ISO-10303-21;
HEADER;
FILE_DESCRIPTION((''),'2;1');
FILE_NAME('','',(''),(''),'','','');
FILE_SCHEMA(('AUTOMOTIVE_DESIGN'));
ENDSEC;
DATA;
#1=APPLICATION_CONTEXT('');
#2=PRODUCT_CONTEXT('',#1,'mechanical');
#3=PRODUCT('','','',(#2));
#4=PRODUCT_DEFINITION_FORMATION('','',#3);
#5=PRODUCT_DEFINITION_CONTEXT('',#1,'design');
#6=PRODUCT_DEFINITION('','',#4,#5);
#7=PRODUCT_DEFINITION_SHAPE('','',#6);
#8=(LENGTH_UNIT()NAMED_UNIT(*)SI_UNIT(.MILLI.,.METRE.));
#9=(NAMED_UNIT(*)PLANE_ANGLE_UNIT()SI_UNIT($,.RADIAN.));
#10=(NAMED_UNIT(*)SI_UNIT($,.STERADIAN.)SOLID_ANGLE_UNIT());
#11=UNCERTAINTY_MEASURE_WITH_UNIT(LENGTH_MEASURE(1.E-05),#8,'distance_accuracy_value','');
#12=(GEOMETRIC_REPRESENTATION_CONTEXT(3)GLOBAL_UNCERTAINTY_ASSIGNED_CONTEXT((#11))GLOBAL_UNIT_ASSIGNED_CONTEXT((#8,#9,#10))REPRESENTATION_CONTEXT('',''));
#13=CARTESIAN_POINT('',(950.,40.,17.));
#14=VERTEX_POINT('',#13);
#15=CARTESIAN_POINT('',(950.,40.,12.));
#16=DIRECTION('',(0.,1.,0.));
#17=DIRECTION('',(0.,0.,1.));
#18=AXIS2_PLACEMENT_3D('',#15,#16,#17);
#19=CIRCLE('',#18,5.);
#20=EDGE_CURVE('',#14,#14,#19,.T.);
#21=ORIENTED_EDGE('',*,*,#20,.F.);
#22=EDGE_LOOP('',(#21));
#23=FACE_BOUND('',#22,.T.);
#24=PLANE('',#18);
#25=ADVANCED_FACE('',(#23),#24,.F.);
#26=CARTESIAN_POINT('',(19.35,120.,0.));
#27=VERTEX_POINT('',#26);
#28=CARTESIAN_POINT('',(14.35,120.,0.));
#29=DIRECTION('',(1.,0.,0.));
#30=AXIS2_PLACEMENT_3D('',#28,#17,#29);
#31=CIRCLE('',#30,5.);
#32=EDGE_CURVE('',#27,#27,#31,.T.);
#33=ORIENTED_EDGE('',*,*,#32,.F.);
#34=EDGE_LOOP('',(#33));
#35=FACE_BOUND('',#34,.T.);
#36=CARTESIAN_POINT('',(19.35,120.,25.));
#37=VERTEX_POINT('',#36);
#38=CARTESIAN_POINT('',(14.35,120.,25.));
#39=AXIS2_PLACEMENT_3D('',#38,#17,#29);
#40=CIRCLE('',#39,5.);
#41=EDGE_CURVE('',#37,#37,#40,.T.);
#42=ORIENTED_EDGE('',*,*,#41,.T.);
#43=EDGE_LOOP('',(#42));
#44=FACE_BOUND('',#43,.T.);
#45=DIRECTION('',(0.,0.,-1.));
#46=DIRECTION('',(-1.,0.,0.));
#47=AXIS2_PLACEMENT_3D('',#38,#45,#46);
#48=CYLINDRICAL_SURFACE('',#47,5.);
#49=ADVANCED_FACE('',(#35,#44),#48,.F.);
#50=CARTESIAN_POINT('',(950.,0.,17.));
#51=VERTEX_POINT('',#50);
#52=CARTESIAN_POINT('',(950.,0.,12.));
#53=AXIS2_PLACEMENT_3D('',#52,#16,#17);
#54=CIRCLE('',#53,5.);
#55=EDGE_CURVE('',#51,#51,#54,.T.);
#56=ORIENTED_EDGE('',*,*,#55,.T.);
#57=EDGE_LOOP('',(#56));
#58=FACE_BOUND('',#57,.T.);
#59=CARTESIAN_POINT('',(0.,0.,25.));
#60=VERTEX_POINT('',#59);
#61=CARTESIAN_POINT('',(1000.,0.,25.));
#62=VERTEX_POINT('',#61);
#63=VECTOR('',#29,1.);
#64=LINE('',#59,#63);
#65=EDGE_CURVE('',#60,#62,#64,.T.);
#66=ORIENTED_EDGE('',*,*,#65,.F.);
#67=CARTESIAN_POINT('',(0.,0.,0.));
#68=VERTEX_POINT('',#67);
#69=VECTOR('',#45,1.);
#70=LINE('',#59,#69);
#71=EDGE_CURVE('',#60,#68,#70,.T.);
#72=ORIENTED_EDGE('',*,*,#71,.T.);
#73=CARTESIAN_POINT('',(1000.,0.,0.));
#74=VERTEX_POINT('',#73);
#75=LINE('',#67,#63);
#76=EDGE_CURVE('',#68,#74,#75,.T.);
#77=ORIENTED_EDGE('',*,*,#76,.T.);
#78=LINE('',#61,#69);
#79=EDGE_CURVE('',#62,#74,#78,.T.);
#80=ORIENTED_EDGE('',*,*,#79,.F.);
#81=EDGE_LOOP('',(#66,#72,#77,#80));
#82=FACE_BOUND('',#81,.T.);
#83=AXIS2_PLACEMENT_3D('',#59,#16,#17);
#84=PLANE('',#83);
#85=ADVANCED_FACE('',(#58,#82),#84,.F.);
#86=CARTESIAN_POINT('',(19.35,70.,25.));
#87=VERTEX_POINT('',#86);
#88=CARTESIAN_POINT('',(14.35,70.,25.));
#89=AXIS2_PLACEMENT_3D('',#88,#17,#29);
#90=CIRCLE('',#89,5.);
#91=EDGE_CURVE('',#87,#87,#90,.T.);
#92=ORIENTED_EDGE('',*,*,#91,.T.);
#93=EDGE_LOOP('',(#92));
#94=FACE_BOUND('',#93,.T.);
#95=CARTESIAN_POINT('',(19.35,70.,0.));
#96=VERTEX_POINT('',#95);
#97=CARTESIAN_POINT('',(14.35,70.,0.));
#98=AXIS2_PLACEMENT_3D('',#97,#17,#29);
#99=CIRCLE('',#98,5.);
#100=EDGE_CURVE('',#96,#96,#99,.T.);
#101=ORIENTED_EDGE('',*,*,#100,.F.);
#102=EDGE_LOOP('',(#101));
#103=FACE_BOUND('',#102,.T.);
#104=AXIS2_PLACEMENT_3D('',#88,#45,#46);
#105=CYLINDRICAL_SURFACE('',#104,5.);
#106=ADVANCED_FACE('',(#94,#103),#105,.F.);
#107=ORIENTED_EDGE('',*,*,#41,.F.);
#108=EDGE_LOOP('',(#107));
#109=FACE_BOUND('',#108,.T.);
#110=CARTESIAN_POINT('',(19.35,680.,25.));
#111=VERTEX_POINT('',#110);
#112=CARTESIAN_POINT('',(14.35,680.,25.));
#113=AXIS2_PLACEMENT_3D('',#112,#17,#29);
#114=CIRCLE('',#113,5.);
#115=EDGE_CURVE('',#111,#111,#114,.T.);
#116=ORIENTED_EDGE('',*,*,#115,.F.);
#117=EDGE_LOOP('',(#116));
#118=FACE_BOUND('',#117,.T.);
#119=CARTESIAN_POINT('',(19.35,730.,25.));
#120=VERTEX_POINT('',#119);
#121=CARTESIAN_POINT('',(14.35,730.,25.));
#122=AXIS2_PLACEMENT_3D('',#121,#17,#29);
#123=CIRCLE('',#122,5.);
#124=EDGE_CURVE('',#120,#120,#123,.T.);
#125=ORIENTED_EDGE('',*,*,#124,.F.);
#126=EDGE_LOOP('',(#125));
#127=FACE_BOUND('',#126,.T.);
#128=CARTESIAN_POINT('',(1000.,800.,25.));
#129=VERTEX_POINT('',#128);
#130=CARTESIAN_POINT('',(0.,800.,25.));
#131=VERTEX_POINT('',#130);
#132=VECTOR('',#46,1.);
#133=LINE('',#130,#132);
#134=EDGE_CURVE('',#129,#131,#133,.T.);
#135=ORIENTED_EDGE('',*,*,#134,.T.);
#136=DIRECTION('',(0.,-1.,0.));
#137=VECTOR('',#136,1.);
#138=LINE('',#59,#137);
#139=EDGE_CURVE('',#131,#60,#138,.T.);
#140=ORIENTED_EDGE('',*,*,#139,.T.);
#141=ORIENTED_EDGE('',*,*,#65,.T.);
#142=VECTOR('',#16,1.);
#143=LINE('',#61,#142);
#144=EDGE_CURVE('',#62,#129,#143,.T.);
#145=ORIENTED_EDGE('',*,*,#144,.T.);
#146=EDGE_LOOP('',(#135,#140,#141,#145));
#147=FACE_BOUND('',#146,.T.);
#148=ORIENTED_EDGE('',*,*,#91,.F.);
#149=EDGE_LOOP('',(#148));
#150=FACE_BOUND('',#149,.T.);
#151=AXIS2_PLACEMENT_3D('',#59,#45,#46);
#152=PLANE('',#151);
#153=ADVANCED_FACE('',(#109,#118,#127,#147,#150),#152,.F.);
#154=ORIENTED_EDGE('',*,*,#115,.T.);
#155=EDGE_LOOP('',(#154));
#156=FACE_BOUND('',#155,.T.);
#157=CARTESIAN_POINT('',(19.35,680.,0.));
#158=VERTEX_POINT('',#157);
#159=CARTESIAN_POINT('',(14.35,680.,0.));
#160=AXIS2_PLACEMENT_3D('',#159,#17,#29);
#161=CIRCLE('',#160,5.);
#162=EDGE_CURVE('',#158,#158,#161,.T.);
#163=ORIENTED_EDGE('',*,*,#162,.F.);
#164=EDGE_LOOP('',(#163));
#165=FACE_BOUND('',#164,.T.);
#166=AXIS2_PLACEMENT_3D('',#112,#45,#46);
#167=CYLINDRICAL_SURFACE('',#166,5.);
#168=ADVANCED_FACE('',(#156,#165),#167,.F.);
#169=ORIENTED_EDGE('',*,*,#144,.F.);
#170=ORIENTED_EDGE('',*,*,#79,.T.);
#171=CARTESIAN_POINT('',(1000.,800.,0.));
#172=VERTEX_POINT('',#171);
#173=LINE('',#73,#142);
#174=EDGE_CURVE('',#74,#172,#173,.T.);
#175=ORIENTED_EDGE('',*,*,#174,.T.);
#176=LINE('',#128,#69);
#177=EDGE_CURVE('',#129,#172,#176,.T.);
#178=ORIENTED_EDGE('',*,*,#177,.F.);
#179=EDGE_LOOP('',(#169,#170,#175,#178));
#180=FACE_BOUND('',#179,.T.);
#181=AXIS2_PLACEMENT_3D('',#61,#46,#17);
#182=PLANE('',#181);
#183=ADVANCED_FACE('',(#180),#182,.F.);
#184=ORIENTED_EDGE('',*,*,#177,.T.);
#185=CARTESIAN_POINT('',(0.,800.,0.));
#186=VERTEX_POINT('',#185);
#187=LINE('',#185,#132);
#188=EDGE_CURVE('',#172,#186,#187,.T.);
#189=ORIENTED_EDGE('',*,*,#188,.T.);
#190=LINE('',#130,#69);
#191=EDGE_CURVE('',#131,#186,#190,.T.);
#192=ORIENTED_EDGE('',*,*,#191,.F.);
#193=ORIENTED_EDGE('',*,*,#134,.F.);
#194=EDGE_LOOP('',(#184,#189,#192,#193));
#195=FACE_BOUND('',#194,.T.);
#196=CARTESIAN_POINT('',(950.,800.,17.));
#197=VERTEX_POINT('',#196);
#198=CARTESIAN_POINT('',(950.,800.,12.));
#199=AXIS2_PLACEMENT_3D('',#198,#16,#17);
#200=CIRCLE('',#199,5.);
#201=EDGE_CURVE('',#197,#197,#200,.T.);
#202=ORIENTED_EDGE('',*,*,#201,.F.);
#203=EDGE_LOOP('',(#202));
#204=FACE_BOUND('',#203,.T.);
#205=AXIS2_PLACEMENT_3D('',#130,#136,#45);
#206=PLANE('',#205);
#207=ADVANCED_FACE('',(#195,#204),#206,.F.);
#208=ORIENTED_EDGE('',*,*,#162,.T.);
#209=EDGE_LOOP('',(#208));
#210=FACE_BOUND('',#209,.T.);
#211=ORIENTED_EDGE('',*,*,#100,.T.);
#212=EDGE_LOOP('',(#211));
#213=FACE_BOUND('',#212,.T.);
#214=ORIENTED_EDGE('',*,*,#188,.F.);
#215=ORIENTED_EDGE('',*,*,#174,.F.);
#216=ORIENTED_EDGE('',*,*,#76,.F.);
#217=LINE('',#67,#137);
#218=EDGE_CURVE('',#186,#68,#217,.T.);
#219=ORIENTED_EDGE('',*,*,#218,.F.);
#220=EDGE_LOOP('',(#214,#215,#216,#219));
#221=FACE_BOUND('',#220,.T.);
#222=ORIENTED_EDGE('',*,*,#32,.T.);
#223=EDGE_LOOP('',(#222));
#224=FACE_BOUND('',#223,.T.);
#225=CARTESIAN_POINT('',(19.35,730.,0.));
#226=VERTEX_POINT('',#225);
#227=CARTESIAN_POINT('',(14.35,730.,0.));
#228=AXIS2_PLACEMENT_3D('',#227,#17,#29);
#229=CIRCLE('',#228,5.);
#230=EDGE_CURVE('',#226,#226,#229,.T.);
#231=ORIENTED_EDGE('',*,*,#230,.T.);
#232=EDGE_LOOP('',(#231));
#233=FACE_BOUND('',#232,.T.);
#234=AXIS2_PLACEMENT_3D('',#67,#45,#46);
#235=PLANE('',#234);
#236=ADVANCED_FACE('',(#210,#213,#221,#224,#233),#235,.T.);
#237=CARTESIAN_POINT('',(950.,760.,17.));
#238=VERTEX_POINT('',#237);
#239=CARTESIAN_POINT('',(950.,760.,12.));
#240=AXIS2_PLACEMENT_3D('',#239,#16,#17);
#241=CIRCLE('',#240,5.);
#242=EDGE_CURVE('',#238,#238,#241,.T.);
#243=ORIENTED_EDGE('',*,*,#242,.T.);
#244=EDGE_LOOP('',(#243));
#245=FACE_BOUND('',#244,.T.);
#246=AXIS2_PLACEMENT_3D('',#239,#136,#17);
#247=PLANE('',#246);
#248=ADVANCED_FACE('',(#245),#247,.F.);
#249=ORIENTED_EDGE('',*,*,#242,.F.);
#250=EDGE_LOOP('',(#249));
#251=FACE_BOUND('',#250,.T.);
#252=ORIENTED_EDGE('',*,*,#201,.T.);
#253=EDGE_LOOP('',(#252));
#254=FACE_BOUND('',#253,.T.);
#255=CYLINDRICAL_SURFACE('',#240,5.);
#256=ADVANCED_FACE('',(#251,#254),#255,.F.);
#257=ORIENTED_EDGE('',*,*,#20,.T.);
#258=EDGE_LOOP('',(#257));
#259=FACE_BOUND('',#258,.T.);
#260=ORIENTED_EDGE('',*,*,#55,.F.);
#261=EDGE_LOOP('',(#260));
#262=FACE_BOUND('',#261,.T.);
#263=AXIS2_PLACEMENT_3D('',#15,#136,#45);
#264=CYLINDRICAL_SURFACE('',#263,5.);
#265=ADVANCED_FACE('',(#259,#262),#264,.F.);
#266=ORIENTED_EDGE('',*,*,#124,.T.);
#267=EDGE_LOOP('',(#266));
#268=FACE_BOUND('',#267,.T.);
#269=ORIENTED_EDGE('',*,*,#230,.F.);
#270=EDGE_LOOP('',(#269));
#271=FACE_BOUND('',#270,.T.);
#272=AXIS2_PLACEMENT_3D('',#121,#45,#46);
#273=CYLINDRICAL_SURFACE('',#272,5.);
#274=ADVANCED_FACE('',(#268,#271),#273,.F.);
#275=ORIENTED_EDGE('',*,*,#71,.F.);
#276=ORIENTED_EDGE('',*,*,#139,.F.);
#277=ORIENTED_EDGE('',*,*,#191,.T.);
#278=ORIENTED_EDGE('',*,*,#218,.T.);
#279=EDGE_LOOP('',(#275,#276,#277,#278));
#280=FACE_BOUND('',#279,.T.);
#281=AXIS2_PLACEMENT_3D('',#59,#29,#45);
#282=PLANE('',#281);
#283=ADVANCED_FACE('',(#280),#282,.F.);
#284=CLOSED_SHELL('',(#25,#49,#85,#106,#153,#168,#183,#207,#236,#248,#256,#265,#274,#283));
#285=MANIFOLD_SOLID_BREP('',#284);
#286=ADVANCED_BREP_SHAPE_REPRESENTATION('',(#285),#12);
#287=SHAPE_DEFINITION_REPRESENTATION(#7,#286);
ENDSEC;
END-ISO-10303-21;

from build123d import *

# Parameters (mm, degrees)
SZKIC1_W                    = 1000
SZKIC1_H                    = 800
DODANIE_WYCI_GNI_CIE1_DEPTH = 25
SZKIC2_R                    = 5
WYTNIJ_WYCI_GNI_CIE3_DEPTH  = 25
SZKIC4_R                    = 5
WYTNIJ_WYCI_GNI_CIE4_DEPTH  = 40


with BuildPart() as part:
    # Szkic1 → Dodanie-wyciągnięcie1 (new body)
    with BuildSketch(Plane.XY):
        with Locations((500, 400)):
            Rectangle(SZKIC1_W, SZKIC1_H)
    extrude(amount=DODANIE_WYCI_GNI_CIE1_DEPTH)

    # Szkic2 → Wytnij-wyciągnięcie3 (cut)
    with BuildSketch(Plane.XY):
        with Locations((14.35, 730)):
            Circle(SZKIC2_R)
        with Locations((14.35, 680)):
            Circle(SZKIC2_R)
        with Locations((14.35, 70)):
            Circle(SZKIC2_R)
        with Locations((14.35, 120)):
            Circle(SZKIC2_R)
    extrude(amount=WYTNIJ_WYCI_GNI_CIE3_DEPTH, mode=Mode.SUBTRACT)

    # Szkic4 → Wytnij-wyciągnięcie4 (cut)
    with BuildSketch(Plane(origin=(0, 0, 0), x_dir=(1, 0, 0), z_dir=(0, 1, 0))):
        with Locations(Location((950, -12, 0), (0, 0, 270))):
            Circle(SZKIC4_R)
    wytnij_wyci_gni_cie4 = extrude(amount=WYTNIJ_WYCI_GNI_CIE4_DEPTH, mode=Mode.SUBTRACT)

    # Lustro2: Wytnij-wyciągnięcie4 across plane
    add(wytnij_wyci_gni_cie4.mirror(Plane.ZX.offset(400)), mode=Mode.SUBTRACT)


solid = part.part
